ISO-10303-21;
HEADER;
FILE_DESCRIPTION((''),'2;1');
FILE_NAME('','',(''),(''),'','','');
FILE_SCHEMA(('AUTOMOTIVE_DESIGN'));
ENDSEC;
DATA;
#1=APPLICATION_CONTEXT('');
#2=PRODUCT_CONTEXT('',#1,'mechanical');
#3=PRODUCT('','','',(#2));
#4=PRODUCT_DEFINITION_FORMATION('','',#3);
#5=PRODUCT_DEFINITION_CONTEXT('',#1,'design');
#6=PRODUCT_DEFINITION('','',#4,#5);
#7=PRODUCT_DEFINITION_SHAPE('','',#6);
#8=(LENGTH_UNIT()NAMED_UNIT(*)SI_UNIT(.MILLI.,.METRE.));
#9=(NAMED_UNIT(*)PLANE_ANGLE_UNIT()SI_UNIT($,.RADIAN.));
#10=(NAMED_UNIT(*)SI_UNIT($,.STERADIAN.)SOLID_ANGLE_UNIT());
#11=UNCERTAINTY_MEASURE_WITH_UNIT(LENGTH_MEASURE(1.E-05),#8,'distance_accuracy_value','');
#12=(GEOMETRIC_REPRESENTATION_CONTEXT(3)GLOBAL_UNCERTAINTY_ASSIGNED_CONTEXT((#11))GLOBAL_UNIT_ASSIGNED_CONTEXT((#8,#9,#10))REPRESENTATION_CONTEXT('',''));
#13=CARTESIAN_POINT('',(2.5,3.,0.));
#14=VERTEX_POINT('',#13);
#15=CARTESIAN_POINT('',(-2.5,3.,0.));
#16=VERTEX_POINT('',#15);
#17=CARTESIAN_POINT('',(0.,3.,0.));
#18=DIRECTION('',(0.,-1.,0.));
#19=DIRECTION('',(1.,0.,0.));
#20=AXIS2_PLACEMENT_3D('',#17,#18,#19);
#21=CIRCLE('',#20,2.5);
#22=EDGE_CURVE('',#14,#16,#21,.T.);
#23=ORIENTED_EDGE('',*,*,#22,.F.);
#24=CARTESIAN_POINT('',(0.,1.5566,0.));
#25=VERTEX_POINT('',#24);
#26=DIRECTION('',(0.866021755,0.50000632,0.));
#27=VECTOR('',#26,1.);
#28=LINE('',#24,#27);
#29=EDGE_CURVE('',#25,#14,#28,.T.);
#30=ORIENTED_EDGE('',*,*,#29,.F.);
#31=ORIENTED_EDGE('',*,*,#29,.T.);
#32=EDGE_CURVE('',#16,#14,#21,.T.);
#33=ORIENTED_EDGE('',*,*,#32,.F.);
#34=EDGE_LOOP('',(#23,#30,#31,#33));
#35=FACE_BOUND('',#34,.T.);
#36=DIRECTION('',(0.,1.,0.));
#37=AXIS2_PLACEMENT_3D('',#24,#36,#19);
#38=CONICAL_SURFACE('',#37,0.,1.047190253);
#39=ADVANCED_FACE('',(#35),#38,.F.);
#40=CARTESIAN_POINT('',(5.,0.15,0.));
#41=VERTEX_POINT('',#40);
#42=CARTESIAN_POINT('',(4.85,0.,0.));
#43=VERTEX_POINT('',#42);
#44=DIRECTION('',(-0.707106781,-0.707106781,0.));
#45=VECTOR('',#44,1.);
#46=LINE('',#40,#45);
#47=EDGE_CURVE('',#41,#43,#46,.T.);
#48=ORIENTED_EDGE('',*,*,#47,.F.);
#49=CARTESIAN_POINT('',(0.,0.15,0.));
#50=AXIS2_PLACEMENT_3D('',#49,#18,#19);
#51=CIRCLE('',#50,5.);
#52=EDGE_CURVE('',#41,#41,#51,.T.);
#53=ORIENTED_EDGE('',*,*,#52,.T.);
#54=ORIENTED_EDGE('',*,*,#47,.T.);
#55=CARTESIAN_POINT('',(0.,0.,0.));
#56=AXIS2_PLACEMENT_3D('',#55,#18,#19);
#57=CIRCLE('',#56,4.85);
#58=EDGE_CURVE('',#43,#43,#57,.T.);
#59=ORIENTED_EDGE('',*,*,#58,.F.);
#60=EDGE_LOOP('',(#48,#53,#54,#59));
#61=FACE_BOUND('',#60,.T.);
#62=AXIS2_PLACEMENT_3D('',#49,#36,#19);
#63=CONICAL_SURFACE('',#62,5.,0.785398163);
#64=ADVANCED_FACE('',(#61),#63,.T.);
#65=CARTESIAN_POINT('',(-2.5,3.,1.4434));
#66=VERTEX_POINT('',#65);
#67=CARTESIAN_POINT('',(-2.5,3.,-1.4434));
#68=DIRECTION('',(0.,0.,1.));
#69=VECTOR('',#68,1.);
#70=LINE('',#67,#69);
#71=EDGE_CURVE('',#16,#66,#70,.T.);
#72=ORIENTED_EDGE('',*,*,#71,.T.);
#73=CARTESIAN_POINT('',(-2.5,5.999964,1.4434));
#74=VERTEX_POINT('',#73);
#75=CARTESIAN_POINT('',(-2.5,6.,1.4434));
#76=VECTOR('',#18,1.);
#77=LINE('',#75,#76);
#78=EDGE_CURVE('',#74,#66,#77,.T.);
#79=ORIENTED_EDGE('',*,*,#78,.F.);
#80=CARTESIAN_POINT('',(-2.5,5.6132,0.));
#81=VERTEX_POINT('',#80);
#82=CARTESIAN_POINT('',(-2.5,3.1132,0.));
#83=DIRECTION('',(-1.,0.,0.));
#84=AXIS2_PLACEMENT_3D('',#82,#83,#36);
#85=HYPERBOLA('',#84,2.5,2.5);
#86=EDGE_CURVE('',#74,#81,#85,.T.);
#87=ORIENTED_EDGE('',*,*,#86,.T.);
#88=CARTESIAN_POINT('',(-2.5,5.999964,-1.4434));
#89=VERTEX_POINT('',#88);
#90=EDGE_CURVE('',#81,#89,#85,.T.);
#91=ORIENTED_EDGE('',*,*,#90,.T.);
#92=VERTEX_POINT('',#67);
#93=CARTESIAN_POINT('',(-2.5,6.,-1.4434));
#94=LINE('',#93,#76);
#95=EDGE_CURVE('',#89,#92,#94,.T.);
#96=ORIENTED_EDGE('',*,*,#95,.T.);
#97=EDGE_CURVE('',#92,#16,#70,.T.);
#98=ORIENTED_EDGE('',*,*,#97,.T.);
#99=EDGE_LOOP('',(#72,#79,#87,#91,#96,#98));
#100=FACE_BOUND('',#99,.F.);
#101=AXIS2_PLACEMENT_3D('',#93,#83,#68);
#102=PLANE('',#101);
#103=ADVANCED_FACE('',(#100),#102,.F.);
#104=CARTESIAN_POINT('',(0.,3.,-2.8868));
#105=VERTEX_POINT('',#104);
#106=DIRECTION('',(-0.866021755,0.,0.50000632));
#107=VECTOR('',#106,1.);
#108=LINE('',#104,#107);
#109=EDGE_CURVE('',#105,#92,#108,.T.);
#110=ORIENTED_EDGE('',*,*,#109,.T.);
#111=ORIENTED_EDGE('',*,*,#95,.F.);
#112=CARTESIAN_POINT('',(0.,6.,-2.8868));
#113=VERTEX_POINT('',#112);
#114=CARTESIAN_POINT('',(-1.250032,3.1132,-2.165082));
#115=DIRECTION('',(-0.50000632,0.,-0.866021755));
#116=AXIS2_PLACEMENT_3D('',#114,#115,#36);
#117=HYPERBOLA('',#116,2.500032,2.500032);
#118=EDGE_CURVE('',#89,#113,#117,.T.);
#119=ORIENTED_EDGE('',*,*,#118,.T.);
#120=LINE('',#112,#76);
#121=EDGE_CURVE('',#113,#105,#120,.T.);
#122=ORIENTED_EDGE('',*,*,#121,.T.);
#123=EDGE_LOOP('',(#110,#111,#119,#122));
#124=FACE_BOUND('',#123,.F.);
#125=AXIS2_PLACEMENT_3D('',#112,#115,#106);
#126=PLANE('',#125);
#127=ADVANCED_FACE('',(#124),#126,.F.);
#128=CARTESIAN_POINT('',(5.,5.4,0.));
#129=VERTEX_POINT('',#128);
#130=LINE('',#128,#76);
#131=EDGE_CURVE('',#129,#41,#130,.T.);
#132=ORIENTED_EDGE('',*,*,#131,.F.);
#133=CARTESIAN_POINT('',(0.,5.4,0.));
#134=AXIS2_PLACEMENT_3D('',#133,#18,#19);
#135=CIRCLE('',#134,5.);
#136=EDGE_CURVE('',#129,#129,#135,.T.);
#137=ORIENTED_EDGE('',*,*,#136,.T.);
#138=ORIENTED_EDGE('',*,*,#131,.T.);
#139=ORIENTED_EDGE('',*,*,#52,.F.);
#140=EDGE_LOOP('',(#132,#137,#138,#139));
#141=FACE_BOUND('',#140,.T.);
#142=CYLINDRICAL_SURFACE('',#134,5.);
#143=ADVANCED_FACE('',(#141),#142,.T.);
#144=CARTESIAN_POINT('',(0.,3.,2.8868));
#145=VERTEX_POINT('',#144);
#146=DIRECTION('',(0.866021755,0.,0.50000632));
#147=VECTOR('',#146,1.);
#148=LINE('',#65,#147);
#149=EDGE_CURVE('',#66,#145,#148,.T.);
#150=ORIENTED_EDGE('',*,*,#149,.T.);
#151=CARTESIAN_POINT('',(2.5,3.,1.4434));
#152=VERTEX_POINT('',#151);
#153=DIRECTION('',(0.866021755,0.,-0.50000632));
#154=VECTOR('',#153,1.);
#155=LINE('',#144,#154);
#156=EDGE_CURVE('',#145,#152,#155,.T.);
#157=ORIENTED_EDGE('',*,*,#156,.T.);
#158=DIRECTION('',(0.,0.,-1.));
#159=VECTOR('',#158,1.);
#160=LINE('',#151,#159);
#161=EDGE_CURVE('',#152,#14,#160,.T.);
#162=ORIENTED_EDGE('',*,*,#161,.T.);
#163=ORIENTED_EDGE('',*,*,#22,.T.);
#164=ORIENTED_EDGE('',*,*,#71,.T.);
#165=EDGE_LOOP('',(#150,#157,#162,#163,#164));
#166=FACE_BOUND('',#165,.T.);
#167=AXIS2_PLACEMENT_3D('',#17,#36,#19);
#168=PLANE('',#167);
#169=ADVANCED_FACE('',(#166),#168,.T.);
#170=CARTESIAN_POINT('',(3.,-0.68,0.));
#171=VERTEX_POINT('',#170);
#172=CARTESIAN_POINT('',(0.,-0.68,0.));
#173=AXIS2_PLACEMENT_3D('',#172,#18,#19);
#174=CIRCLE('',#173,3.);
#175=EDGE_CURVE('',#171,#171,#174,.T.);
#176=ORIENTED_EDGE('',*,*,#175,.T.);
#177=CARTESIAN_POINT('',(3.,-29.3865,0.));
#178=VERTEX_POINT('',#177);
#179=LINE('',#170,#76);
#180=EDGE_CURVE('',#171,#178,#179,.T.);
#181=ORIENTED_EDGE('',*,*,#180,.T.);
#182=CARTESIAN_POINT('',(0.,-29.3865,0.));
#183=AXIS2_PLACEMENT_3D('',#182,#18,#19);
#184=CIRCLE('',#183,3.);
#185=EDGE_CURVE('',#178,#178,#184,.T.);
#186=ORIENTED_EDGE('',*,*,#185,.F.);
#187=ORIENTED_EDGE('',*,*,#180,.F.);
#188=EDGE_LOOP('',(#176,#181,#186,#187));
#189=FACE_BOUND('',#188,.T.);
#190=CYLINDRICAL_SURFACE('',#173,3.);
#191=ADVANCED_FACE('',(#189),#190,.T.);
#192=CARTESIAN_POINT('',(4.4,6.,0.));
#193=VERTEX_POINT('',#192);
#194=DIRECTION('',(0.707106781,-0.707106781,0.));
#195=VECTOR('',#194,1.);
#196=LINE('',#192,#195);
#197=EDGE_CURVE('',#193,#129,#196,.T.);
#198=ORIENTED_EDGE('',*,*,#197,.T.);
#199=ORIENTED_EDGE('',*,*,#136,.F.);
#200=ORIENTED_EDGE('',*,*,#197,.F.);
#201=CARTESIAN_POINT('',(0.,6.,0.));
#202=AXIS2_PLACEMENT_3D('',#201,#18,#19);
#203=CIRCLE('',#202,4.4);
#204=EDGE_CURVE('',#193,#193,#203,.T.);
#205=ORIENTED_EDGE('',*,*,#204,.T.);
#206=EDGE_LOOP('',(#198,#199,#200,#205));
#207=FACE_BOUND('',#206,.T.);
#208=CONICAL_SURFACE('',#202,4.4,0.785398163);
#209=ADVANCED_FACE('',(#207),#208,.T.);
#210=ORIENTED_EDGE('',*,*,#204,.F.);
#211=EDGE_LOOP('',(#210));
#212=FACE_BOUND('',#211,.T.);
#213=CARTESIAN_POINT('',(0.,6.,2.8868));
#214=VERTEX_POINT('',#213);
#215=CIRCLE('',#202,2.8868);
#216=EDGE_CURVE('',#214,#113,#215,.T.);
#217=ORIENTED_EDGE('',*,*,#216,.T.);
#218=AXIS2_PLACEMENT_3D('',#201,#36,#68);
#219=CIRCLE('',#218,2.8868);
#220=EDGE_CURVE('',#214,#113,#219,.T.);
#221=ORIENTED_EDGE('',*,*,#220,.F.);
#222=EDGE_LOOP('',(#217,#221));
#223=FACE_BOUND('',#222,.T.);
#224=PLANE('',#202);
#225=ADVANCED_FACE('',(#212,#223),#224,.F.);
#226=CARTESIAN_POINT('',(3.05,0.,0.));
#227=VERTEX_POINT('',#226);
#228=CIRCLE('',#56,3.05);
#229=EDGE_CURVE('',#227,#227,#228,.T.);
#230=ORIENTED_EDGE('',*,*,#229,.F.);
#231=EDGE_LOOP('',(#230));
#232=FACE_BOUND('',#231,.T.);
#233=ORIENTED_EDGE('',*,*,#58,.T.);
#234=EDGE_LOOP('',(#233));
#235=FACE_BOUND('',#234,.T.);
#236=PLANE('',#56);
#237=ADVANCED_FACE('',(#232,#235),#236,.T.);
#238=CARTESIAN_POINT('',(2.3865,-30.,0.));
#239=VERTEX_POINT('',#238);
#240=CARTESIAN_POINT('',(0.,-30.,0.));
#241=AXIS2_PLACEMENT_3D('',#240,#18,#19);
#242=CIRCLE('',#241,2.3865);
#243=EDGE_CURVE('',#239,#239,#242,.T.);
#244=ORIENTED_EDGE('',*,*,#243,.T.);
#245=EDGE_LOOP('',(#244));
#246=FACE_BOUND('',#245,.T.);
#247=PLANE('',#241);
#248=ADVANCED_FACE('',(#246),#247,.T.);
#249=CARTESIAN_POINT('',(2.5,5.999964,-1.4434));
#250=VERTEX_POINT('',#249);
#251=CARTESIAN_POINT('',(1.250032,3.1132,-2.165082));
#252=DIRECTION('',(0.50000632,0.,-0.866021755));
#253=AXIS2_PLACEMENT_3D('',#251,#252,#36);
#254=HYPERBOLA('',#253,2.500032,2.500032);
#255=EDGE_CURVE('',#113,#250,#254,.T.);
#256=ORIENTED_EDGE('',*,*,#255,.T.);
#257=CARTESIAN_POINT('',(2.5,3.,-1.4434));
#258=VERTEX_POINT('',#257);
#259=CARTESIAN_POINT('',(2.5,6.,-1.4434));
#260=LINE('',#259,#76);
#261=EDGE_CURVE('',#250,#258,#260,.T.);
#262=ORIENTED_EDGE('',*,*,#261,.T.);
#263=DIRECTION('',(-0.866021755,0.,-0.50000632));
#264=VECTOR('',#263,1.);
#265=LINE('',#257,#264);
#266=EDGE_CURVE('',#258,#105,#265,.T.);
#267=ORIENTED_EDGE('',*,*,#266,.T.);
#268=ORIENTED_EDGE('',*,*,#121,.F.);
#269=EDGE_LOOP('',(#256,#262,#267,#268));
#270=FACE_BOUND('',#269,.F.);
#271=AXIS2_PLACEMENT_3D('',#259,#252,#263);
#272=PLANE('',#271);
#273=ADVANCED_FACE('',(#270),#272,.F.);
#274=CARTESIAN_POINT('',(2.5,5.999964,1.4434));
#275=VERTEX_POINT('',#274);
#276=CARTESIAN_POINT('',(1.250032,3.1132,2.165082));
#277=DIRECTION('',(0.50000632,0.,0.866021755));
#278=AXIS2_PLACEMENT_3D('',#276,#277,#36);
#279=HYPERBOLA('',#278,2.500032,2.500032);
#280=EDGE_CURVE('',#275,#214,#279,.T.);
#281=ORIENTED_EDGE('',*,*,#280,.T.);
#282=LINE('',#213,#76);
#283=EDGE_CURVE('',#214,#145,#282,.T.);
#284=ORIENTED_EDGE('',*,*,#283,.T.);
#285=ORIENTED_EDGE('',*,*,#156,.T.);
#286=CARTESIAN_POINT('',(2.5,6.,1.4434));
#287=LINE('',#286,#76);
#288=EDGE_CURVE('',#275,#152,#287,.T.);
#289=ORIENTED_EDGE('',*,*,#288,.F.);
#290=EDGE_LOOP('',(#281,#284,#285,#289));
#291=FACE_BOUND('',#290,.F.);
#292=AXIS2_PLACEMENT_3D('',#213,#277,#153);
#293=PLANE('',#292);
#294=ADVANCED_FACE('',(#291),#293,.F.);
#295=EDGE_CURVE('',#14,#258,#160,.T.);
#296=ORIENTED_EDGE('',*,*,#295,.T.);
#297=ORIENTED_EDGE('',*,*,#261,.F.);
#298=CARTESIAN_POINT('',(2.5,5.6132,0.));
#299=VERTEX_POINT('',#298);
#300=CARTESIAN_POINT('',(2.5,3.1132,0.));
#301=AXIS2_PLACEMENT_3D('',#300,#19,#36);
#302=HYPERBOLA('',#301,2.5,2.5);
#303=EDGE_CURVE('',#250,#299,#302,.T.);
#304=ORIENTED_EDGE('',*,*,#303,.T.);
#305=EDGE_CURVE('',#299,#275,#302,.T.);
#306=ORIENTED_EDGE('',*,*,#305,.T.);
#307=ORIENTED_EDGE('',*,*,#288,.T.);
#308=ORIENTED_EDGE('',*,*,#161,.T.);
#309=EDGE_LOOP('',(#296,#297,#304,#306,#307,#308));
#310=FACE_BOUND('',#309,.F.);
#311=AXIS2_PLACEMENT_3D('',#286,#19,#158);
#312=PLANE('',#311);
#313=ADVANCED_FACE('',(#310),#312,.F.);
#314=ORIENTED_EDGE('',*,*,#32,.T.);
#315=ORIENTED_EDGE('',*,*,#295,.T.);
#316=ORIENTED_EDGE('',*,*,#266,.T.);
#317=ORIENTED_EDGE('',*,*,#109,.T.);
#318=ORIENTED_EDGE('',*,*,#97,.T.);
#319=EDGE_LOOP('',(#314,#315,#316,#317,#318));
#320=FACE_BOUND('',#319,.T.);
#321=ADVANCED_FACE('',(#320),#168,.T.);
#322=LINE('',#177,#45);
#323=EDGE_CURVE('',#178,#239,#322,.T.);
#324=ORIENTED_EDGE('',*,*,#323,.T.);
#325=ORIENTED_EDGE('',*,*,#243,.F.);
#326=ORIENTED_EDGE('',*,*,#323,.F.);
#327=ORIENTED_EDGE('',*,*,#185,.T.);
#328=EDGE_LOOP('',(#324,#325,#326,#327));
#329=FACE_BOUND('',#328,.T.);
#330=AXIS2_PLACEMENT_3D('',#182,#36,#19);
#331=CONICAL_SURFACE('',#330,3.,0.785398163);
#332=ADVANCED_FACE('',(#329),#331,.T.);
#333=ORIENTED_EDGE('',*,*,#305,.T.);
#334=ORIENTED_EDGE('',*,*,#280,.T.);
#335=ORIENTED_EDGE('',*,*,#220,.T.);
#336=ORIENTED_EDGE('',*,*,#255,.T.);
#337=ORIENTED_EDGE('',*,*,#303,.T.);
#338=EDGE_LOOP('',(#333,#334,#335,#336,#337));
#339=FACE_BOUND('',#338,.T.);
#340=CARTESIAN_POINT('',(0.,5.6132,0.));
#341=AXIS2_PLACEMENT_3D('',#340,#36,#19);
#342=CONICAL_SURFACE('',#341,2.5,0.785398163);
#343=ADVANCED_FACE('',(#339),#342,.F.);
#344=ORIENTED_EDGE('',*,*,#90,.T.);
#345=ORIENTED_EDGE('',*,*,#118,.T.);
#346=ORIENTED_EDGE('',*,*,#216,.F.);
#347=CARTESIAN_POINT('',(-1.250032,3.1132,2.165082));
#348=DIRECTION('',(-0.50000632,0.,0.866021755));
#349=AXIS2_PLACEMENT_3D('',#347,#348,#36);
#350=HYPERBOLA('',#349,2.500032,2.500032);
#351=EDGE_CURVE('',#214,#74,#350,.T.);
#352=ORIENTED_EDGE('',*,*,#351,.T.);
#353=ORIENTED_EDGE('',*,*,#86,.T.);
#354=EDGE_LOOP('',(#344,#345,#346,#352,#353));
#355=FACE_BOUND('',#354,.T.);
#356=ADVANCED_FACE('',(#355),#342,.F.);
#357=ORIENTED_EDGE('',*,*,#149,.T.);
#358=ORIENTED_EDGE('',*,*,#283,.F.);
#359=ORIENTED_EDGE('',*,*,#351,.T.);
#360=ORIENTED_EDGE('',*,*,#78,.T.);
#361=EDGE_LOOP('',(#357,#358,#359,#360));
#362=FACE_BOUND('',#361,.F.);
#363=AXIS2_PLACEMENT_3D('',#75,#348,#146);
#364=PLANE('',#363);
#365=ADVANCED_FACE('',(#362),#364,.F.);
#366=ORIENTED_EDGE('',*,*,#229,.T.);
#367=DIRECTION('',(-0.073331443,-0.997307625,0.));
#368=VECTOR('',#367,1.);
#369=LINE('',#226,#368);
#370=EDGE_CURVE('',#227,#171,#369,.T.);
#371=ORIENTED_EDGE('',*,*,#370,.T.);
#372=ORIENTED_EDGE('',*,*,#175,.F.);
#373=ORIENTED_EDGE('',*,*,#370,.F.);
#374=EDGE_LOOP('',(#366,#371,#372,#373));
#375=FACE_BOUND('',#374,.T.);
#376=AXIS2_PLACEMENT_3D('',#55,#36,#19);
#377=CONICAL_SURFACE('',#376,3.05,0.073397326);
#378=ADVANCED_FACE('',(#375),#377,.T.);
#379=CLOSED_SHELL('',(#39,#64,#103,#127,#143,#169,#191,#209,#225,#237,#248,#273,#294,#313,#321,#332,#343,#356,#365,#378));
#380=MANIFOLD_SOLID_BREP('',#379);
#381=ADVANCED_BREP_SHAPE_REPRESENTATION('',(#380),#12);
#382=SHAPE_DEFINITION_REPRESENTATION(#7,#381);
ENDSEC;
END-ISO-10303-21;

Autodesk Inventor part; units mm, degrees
sketch "Sketch_1" plane through (0, 0, 0) normal (0, 0, 1) x (1, 0, 0)
  line L0 (0, -30) -> (0, 6)
  line L1 (0, 1.5566) -> (2.5, 3)
  line L2 (2.5, 3) -> (2.5, 5.6132)
  line L3 (2.5, 5.6132) -> (2.8868, 6)
  line L4 (2.8868, 6) -> (4.4, 6)
  line L5 (4.4, 6) -> (5, 5.4)
  line L6 (5, 5.4) -> (5, 0.15)
  line L7 (5, 0.15) -> (4.85, 0)
  line L8 (4.85, 0) -> (3.05, 0)
  line L9 (3.05, 0) -> (3, -0.68)
  line L10 (3, -0.68) -> (3, -29.3865)
  line L11 (3, -29.3865) -> (2.3865, -30)
  line L12 (2.3865, -30) -> (0, -30)
  line L13 (0, -30) -> (0, 1.5566)
revolve "Revolution1" add sketch "Sketch_1" angle 360 about axis through (0, -30, 0) along (0, -1, 0)
thread "Thread1" size "M6x1" class "6g" standard "ISO Metric profile" length 23.3865
sketch "Sketch_2" plane through (0, 6, 0) normal (0, 1, 0) x (1, 0, 0)
  line L0 (-2.5, -1.4434) -> (0, -2.8868)
  line L1 (0, -2.8868) -> (2.5, -1.4434)
  line L2 (2.5, -1.4434) -> (2.5, 1.4434)
  line L3 (2.5, 1.4434) -> (0, 2.8868)
  line L4 (0, 2.8868) -> (-2.5, 1.4434)
  line L5 (-2.5, 1.4434) -> (-2.5, -1.4434)
extrude "Extrusion1" cut sketch "Sketch_2" against normal blind 3
ref_plane "ANBAU_XY" through (0, 0, 0) normal (0, 1, 0) x (1, 0, 0)
ref_plane "ANBAU_YZ" through (0, 0, 0) normal (1, 0, 0) x (0, 0, -1)
ref_plane "ANBAU_ZX" through (0, 0, 0) normal (0, 0, -1) x (0, 1, 0)
ref_plane "Schraube_XY" through (0, 0, 0) normal (0, 1, 0) x (1, 0, 0)
ref_plane "Schraube_YZ" through (0, 0, 0) normal (1, 0, 0) x (0, 0, -1)
ref_plane "Schraube_ZX" through (0, 0, 0) normal (0, 0, -1) x (0, 1, 0)
ref_plane "insert_XY" through (0, 0, 0) normal (0, 1, 0) x (1, 0, 0)
ref_plane "insert_YZ" through (0, 0, 0) normal (1, 0, 0) x (0, 0, -1)
ref_plane "insert_ZX" through (0, 0, 0) normal (0, 0, -1) x (0, 1, 0)
ref_plane "schrauben_punkt_XY" through (0, -30, 0) normal (0, 1, 0) x (1, 0, 0)
ref_plane "schrauben_punkt_YZ" through (0, -30, 0) normal (1, 0, 0) x (0, 0, -1)
ref_plane "schrauben_punkt_ZX" through (0, -30, 0) normal (0, 0, -1) x (0, 1, 0)
properties part number "DIN-912 - M6x30(F)"
